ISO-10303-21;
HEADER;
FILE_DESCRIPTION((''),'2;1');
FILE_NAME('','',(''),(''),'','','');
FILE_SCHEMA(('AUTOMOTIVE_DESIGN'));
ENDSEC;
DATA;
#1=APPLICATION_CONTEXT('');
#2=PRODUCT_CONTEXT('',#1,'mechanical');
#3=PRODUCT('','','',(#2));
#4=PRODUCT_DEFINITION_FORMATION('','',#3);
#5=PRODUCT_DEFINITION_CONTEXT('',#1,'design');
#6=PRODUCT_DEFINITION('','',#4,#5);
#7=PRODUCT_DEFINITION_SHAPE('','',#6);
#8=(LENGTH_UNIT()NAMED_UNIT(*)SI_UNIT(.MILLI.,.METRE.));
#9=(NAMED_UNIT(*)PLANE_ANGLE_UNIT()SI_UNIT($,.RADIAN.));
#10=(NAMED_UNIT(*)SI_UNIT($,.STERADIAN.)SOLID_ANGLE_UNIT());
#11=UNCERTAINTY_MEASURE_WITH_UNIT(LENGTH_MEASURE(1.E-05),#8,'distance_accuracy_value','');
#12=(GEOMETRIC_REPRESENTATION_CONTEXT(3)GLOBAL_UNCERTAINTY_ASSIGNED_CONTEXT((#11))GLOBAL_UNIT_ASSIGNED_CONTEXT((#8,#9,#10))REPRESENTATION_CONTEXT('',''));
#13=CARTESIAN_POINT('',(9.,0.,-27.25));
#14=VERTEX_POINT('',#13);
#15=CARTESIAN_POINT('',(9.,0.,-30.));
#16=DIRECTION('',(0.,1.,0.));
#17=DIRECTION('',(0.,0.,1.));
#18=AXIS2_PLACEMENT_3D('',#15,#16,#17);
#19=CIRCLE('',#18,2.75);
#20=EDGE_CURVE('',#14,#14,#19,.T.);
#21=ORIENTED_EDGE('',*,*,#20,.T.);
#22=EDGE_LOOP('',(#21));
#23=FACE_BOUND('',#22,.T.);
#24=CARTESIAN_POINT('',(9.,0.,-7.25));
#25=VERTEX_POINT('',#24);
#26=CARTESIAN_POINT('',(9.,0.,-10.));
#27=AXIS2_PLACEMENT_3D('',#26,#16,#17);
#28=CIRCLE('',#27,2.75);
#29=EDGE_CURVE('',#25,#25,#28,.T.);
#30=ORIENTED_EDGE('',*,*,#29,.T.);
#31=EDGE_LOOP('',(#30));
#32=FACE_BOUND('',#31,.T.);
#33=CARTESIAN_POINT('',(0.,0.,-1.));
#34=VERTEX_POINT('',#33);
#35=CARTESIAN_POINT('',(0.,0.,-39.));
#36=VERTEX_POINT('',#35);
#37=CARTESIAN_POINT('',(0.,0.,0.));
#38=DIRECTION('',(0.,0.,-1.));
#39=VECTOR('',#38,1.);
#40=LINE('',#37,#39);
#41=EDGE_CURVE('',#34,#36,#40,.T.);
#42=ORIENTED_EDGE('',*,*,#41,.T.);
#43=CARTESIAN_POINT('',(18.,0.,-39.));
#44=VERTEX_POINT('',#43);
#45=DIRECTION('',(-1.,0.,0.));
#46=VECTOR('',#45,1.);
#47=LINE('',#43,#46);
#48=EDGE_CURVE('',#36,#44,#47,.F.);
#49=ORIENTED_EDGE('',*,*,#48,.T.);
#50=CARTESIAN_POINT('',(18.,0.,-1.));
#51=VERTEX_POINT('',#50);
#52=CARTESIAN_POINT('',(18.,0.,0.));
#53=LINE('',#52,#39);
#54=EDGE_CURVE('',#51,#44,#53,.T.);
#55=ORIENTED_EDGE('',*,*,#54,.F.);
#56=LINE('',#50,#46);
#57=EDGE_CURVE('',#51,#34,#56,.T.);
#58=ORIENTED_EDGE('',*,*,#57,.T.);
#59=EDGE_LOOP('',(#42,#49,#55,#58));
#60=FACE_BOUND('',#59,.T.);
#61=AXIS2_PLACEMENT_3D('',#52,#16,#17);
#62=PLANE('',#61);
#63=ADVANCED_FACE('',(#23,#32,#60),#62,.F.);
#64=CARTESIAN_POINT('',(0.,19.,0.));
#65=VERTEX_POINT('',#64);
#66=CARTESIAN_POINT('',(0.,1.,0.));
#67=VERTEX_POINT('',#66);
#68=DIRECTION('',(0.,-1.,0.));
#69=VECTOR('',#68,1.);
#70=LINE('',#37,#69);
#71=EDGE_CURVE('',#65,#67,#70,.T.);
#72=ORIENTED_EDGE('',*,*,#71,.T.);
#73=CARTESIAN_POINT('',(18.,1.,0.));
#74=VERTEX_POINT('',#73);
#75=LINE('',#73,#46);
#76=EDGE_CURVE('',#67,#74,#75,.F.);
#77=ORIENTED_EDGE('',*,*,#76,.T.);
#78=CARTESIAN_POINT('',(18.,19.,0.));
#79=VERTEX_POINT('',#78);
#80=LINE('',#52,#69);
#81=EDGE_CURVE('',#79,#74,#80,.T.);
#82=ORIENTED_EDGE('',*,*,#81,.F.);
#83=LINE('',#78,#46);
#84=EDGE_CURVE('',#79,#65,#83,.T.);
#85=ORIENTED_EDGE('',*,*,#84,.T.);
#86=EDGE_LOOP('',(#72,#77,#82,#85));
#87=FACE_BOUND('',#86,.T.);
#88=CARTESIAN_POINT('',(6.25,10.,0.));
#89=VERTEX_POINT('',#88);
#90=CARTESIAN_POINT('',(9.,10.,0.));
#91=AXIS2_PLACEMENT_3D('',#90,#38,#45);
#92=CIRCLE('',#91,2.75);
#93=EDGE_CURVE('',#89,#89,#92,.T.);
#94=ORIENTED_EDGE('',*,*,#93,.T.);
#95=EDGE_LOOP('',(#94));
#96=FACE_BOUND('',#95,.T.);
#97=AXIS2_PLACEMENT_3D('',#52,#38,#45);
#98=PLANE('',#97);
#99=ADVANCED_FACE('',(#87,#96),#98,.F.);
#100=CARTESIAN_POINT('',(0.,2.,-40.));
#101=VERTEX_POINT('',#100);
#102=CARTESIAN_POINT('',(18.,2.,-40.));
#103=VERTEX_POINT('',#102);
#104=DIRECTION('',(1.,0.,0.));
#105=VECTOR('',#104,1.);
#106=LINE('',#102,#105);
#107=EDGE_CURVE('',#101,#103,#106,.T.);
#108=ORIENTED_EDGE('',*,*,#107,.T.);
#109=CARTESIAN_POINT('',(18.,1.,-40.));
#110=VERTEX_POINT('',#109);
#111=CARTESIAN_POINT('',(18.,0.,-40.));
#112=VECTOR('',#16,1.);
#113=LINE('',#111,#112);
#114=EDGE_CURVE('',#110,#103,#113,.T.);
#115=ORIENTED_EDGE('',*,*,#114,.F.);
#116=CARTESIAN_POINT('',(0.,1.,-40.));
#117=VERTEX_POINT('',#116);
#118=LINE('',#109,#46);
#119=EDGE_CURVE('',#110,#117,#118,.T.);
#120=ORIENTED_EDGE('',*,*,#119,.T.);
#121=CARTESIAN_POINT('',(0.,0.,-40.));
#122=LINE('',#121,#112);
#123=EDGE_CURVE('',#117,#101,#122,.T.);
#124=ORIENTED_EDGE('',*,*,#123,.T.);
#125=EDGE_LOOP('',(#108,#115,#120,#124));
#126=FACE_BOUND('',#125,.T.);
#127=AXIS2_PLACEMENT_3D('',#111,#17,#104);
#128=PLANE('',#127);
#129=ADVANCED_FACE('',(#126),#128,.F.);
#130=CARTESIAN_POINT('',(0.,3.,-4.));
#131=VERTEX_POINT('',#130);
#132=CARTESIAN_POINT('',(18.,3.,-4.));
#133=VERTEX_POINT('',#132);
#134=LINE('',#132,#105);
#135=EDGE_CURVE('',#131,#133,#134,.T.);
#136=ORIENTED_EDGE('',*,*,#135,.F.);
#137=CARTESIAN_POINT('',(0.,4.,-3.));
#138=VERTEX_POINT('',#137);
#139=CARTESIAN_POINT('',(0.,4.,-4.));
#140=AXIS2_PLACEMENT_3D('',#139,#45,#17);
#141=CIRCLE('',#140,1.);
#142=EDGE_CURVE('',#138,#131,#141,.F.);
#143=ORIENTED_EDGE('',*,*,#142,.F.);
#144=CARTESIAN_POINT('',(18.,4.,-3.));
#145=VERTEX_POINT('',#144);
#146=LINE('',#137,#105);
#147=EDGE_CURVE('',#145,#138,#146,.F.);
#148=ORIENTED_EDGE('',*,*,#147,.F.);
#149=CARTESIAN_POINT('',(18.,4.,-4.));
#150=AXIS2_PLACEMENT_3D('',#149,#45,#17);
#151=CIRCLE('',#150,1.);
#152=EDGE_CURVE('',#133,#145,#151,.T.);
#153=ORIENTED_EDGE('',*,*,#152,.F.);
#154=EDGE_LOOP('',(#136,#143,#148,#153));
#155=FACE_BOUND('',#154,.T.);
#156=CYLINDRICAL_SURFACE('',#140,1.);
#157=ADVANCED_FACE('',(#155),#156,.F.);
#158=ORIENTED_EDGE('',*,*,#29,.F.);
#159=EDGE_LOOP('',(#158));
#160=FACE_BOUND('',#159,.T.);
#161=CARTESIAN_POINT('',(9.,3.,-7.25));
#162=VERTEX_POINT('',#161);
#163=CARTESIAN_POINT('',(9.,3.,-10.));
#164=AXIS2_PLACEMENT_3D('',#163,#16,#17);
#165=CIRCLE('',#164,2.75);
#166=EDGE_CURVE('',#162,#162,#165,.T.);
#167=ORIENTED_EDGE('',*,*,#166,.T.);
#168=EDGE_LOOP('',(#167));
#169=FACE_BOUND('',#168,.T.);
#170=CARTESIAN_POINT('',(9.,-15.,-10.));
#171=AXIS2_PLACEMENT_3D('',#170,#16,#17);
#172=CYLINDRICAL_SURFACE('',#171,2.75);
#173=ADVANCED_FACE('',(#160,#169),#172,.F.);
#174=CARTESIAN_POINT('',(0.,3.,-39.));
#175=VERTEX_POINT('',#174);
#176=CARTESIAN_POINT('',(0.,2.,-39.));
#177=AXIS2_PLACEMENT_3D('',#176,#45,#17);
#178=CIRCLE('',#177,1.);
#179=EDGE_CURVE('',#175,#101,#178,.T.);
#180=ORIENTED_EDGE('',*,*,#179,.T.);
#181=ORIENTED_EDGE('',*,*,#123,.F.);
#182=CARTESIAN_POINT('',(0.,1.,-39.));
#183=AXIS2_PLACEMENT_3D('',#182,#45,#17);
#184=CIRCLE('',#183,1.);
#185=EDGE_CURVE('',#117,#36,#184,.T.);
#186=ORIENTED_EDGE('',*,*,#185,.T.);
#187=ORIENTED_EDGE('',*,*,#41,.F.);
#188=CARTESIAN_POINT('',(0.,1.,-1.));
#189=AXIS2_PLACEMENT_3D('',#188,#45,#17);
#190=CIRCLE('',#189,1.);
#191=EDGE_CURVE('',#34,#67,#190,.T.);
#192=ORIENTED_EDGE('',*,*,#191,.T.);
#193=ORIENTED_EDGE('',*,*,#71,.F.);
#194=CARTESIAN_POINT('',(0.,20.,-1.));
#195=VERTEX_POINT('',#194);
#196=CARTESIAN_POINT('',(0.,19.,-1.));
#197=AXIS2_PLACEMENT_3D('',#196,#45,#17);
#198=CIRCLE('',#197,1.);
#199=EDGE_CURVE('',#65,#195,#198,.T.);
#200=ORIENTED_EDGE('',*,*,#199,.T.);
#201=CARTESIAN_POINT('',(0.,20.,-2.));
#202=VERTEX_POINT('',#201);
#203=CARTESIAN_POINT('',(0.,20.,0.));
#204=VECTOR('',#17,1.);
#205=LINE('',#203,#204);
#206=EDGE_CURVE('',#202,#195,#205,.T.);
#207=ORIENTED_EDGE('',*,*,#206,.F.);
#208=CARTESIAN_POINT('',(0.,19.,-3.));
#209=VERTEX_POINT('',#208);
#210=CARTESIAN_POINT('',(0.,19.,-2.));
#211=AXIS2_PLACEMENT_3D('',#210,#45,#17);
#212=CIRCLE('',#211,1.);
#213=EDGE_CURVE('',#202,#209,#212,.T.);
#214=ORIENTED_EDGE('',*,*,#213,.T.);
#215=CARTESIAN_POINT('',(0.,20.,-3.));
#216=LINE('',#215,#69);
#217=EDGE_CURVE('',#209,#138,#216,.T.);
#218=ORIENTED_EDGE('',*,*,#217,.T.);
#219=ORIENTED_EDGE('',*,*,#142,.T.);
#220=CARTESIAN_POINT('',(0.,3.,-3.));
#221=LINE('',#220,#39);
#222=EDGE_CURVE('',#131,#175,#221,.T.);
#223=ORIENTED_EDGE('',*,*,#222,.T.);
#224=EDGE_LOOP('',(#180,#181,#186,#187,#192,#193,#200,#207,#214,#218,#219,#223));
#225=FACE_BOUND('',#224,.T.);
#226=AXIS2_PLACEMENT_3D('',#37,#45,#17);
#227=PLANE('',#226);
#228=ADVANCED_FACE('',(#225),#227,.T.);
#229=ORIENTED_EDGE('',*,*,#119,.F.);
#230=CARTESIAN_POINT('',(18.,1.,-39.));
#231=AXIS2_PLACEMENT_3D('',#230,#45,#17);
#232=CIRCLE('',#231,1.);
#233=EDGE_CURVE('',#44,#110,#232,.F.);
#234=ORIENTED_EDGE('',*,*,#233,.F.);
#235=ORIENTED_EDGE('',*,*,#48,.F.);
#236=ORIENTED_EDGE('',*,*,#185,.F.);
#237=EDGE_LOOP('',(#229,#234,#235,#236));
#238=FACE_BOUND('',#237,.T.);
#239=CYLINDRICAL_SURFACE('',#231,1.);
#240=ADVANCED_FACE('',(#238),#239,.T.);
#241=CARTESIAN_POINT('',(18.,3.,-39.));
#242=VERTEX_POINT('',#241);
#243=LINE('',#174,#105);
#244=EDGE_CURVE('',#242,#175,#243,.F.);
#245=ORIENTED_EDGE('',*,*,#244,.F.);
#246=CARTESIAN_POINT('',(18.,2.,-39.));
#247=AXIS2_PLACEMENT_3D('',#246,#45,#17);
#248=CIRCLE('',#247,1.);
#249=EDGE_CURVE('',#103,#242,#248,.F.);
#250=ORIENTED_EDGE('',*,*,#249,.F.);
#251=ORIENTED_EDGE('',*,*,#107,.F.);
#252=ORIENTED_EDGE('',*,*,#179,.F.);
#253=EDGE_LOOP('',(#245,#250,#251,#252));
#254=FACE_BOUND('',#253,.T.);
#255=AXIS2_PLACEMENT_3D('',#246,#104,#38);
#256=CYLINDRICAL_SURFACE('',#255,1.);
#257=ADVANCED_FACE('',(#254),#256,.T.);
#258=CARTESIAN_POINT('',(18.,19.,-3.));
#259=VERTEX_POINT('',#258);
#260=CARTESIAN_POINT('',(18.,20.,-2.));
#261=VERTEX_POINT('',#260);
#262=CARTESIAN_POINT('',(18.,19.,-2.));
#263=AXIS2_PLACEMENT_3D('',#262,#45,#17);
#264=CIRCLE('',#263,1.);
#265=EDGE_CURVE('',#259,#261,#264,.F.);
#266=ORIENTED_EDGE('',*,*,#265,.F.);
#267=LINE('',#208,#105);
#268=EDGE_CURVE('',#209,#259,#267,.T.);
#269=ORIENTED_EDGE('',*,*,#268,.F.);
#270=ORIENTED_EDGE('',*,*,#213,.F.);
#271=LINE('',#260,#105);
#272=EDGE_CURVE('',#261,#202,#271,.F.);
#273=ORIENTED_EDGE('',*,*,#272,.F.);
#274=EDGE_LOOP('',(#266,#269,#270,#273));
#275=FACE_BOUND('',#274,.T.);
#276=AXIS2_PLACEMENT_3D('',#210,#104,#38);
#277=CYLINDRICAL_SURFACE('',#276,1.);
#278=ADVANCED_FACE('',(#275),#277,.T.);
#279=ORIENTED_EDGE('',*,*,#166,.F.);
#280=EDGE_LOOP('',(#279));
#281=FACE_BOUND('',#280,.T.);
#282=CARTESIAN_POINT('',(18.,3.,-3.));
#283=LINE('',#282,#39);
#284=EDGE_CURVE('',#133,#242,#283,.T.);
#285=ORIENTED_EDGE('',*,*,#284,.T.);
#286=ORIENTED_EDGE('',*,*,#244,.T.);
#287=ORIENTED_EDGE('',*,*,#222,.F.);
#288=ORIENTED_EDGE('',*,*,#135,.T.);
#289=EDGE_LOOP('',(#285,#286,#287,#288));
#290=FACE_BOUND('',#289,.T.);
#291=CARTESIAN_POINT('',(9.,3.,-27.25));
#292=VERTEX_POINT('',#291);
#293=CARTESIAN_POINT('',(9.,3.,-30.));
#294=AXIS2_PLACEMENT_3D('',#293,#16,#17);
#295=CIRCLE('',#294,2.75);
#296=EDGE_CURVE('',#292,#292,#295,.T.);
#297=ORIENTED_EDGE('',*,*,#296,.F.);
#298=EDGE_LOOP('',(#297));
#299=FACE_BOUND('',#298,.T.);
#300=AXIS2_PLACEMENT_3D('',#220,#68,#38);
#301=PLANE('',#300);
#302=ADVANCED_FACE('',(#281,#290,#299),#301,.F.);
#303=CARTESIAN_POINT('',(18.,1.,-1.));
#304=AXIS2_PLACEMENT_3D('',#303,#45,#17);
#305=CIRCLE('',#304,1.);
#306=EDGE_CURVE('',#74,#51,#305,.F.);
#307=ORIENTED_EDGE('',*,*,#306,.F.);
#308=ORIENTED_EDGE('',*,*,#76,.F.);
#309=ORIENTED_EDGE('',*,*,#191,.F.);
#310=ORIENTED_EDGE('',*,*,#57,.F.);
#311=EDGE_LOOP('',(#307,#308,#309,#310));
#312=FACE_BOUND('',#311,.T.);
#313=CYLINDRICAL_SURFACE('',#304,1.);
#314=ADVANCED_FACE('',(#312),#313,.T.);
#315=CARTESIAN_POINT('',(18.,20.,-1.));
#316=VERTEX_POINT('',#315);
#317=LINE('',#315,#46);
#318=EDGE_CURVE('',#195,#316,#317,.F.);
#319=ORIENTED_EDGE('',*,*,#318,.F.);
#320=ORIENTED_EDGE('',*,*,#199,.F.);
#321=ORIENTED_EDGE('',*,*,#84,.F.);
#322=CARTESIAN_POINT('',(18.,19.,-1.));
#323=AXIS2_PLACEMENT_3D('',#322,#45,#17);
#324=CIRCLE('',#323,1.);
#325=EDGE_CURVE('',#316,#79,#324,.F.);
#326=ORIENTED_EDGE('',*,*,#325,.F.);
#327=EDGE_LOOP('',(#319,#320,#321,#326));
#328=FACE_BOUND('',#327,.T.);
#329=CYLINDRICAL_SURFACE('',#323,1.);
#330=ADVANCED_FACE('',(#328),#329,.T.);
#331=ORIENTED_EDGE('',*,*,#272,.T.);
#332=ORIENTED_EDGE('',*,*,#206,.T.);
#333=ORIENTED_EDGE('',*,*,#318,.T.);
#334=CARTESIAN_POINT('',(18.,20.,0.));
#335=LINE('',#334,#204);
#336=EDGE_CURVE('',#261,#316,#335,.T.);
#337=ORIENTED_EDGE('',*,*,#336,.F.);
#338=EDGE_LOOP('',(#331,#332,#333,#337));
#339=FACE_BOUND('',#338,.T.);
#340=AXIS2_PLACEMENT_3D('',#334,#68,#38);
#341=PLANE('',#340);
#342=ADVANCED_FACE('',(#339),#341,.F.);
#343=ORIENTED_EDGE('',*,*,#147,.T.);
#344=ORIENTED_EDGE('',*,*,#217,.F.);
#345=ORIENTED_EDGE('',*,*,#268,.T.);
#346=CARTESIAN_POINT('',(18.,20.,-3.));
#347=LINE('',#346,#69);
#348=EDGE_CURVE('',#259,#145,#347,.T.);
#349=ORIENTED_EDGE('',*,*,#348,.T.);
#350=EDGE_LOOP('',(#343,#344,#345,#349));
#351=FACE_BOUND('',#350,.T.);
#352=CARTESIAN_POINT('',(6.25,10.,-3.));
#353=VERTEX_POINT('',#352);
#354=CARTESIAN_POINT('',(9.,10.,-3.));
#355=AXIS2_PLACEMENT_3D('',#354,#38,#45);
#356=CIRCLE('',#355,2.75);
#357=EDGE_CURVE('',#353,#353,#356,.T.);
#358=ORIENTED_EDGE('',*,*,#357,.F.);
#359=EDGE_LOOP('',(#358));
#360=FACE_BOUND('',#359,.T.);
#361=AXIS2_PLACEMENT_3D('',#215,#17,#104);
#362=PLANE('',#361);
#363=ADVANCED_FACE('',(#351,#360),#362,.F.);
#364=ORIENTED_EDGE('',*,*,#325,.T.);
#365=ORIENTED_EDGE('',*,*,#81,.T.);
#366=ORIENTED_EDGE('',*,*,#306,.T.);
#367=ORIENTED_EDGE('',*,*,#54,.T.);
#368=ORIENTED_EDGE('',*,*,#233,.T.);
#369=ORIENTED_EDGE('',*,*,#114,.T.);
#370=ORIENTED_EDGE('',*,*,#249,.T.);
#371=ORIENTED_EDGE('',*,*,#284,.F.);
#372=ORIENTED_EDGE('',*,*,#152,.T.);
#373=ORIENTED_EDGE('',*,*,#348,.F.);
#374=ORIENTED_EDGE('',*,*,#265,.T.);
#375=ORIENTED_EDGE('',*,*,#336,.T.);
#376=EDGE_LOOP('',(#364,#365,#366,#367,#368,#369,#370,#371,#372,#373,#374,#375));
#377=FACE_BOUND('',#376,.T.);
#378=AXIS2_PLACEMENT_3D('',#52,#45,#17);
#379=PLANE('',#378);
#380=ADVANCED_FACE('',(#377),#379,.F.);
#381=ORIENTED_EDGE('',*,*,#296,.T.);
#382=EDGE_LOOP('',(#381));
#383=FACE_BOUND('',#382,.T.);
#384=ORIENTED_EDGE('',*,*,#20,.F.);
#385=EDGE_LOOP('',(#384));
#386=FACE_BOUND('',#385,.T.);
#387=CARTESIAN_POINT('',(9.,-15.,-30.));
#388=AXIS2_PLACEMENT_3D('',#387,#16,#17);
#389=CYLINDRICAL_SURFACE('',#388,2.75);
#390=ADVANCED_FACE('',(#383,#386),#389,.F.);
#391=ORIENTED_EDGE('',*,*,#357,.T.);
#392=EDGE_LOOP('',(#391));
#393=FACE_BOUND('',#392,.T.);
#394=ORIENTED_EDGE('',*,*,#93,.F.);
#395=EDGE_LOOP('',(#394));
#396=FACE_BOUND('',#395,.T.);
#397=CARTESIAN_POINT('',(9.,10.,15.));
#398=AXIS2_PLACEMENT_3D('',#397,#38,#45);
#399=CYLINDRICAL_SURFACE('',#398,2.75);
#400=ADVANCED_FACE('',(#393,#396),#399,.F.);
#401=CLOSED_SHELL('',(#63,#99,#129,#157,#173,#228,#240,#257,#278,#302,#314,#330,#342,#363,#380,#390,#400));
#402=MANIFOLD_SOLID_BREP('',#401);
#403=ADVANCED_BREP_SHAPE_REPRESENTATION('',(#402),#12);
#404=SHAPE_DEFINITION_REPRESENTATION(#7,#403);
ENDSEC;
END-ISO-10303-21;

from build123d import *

# Parameters (mm, degrees)
SKETCH_1_W          = 40
SKETCH_1_H          = 20
EXTRUDE_1_DEPTH     = 18
SKETCH_2_W          = 37
SKETCH_2_H          = 17
CUT_EXTRUDE_1_DEPTH = 18
SKETCH_3_R          = 2.75
CUT_EXTRUDE_2_DEPTH = 18
SKETCH_4_R          = 2.75
CUT_EXTRUDE_3_DEPTH = 18
FILLET_1_R          = 1


with BuildPart() as part:
    # 草图1 → 凸台-拉伸1 (new body)
    with BuildSketch(Plane(origin=(0, 0, 0), x_dir=(0, 0, -1), z_dir=(1, 0, 0))):
        with Locations((20, 10)):
            Rectangle(SKETCH_1_W, SKETCH_1_H)
    extrude(amount=EXTRUDE_1_DEPTH)

    # 草图2 → 切除-拉伸1 (cut)
    with BuildSketch(Plane(origin=(18, 0, 0), x_dir=(0, 0, -1), z_dir=(1, 0, 0))):
        with Locations((21.5, 11.5)):
            Rectangle(SKETCH_2_W, SKETCH_2_H)
    extrude(amount=-CUT_EXTRUDE_1_DEPTH, mode=Mode.SUBTRACT)

    # 草图3 → 切除-拉伸2 (cut)
    with BuildSketch(Plane(origin=(0, 0, -3), x_dir=(-1, 0, 0), z_dir=(0, 0, -1))):
        with Locations((-9, 10)):
            Circle(SKETCH_3_R)
    extrude(amount=-CUT_EXTRUDE_2_DEPTH, mode=Mode.SUBTRACT)

    # 草图4 → 切除-拉伸3 (cut)
    with BuildSketch(Plane(origin=(0, 3, 0), x_dir=(1, 0, 0), z_dir=(0, 1, 0))):
        with Locations(Location((9, 30, 0), (0, 0, 270))):
            Circle(SKETCH_4_R)
        with Locations(Location((9, 10, 0), (0, 0, 270))):
            Circle(SKETCH_4_R)
    extrude(amount=-CUT_EXTRUDE_3_DEPTH, mode=Mode.SUBTRACT)

    # 圆角1
    fillet_1_edges = [part.edges().sort_by_distance(p)[0] for p in [
        (9, 20, -3),
        (9, 3, -40),
        (9, 3, -3),
        (9, 20, 0),
        (9, 0, -40),
        (9, 0, 0),
    ]]
    fillet(fillet_1_edges, radius=FILLET_1_R)


solid = part.part
